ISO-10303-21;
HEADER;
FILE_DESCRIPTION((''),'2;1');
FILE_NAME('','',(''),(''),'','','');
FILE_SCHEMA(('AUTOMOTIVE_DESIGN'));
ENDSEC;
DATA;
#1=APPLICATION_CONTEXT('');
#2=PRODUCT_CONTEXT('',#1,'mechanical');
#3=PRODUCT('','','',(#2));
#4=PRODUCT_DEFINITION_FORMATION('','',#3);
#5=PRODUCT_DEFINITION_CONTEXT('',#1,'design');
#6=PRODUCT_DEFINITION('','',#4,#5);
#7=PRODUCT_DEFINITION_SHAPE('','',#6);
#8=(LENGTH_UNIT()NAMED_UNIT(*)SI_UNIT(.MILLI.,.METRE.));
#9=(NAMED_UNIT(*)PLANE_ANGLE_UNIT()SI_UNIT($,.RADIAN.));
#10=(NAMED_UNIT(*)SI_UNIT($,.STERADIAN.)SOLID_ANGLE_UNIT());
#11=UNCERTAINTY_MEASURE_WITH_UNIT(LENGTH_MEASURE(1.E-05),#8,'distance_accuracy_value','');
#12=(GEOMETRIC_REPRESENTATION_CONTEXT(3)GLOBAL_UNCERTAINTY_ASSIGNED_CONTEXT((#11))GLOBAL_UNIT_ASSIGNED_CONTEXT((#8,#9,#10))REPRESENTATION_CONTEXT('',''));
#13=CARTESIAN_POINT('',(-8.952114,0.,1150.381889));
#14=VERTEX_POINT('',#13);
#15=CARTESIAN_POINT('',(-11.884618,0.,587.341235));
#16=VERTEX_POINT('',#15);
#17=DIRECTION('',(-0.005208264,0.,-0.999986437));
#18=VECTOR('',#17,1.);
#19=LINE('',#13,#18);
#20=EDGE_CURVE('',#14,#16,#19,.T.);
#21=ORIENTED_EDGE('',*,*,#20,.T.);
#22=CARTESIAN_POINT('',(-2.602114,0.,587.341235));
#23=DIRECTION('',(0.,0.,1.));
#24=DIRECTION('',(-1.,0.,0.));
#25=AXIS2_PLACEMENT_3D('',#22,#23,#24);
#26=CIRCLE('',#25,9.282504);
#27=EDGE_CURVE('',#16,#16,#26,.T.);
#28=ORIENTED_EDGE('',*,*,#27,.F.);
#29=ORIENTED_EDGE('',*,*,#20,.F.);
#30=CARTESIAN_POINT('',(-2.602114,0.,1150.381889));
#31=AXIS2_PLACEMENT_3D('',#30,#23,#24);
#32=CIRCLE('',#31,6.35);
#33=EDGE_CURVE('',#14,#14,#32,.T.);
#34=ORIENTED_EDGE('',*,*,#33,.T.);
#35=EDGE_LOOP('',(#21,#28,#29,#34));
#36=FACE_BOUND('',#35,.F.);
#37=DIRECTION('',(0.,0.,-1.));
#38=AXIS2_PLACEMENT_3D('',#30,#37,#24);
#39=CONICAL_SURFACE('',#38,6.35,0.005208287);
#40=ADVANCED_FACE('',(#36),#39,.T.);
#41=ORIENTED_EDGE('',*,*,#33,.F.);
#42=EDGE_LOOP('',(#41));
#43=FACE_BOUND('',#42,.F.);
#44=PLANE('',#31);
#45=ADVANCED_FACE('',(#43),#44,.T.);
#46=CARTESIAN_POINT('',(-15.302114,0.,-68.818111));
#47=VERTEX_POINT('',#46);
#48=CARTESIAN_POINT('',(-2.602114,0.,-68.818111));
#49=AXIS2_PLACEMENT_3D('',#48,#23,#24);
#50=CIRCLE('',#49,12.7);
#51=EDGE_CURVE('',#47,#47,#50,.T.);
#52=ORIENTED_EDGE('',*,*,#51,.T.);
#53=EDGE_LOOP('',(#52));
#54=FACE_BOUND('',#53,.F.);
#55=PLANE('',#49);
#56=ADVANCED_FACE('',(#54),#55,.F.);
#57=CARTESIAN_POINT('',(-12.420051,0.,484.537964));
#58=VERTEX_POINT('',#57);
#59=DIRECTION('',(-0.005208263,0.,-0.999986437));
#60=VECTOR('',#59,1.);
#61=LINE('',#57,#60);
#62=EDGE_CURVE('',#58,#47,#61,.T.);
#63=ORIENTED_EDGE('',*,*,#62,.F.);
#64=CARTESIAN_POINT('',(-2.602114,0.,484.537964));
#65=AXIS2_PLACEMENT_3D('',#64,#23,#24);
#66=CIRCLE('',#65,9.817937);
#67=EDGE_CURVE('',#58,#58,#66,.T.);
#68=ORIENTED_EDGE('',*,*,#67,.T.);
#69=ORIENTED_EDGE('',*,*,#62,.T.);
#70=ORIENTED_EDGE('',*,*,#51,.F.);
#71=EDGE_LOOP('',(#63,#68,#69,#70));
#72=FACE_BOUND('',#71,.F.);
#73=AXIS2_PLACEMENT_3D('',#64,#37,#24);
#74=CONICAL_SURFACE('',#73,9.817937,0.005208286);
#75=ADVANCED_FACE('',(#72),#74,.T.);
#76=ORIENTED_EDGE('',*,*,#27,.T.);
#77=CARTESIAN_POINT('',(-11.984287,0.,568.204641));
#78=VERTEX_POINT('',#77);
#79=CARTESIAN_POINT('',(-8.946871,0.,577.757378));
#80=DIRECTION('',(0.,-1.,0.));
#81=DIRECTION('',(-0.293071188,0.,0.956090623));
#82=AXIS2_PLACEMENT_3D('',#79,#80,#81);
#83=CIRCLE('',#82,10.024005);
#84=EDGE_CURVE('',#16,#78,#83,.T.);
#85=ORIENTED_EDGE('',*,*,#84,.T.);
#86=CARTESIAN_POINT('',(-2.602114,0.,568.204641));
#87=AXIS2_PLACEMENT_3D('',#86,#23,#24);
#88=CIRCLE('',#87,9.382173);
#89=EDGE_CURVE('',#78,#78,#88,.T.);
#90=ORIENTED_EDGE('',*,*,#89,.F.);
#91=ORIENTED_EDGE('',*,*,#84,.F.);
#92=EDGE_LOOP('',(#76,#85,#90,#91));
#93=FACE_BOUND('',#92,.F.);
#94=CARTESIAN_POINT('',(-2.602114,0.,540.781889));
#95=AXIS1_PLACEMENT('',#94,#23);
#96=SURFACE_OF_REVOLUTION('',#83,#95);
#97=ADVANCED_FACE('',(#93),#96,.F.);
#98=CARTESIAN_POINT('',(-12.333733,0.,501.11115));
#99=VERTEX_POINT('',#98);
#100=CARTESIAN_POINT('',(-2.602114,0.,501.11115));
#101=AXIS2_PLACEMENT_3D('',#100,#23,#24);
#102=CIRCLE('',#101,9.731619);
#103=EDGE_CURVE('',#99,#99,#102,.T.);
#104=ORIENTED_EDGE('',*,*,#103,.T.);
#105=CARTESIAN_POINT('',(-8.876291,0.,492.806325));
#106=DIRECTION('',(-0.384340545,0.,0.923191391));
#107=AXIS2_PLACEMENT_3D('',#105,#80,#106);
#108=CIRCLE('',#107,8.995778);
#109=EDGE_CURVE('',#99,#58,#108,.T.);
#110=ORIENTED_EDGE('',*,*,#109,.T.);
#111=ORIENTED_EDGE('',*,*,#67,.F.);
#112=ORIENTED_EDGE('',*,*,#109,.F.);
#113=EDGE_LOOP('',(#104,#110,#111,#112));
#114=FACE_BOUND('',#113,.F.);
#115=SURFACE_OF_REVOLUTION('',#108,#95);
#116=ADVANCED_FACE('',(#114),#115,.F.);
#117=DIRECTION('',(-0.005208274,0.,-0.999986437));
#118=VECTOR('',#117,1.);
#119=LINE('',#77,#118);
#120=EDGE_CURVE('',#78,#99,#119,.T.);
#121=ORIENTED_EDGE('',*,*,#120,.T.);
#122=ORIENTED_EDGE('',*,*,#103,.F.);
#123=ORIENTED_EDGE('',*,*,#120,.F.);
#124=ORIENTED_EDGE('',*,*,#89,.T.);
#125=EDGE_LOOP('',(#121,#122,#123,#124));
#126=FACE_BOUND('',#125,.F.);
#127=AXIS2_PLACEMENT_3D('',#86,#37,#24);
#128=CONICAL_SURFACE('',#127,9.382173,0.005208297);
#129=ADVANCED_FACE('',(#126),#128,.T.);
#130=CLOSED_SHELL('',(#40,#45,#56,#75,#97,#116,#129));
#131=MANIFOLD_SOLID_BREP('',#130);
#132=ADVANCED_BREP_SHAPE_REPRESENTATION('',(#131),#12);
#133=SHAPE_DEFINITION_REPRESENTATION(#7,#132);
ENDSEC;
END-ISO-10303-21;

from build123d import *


with BuildPart() as f1:
    # F0 (on Front) → F1 (revolve)
    with BuildSketch(Plane.XZ):
        Polygon((-12.420051, 484.537964), (-15.302114, -68.818111), (-2.602114, -68.818111), (-2.602114, 1150.381889), (-8.952114, 1150.381889), (-11.884618, 587.341235), (-11.984287, 568.204641), (-12.333733, 501.11115), align=None)
        with BuildLine():
            ThreePointArc((-12.333733, 501.11115), (-17.871947, 492.853177), (-12.420051, 484.537964))
            Line((-12.420051, 484.537964), (-12.333733, 501.11115))
        make_face()
        with BuildLine():
            ThreePointArc((-11.884618, 587.341235), (-18.97074, 577.809586), (-11.984287, 568.204641))
            Line((-11.984287, 568.204641), (-11.884618, 587.341235))
        make_face()
    revolve(axis=Axis((-2.602114, 0, 540.781889), (0, 0, 1)))


solid = f1.part
